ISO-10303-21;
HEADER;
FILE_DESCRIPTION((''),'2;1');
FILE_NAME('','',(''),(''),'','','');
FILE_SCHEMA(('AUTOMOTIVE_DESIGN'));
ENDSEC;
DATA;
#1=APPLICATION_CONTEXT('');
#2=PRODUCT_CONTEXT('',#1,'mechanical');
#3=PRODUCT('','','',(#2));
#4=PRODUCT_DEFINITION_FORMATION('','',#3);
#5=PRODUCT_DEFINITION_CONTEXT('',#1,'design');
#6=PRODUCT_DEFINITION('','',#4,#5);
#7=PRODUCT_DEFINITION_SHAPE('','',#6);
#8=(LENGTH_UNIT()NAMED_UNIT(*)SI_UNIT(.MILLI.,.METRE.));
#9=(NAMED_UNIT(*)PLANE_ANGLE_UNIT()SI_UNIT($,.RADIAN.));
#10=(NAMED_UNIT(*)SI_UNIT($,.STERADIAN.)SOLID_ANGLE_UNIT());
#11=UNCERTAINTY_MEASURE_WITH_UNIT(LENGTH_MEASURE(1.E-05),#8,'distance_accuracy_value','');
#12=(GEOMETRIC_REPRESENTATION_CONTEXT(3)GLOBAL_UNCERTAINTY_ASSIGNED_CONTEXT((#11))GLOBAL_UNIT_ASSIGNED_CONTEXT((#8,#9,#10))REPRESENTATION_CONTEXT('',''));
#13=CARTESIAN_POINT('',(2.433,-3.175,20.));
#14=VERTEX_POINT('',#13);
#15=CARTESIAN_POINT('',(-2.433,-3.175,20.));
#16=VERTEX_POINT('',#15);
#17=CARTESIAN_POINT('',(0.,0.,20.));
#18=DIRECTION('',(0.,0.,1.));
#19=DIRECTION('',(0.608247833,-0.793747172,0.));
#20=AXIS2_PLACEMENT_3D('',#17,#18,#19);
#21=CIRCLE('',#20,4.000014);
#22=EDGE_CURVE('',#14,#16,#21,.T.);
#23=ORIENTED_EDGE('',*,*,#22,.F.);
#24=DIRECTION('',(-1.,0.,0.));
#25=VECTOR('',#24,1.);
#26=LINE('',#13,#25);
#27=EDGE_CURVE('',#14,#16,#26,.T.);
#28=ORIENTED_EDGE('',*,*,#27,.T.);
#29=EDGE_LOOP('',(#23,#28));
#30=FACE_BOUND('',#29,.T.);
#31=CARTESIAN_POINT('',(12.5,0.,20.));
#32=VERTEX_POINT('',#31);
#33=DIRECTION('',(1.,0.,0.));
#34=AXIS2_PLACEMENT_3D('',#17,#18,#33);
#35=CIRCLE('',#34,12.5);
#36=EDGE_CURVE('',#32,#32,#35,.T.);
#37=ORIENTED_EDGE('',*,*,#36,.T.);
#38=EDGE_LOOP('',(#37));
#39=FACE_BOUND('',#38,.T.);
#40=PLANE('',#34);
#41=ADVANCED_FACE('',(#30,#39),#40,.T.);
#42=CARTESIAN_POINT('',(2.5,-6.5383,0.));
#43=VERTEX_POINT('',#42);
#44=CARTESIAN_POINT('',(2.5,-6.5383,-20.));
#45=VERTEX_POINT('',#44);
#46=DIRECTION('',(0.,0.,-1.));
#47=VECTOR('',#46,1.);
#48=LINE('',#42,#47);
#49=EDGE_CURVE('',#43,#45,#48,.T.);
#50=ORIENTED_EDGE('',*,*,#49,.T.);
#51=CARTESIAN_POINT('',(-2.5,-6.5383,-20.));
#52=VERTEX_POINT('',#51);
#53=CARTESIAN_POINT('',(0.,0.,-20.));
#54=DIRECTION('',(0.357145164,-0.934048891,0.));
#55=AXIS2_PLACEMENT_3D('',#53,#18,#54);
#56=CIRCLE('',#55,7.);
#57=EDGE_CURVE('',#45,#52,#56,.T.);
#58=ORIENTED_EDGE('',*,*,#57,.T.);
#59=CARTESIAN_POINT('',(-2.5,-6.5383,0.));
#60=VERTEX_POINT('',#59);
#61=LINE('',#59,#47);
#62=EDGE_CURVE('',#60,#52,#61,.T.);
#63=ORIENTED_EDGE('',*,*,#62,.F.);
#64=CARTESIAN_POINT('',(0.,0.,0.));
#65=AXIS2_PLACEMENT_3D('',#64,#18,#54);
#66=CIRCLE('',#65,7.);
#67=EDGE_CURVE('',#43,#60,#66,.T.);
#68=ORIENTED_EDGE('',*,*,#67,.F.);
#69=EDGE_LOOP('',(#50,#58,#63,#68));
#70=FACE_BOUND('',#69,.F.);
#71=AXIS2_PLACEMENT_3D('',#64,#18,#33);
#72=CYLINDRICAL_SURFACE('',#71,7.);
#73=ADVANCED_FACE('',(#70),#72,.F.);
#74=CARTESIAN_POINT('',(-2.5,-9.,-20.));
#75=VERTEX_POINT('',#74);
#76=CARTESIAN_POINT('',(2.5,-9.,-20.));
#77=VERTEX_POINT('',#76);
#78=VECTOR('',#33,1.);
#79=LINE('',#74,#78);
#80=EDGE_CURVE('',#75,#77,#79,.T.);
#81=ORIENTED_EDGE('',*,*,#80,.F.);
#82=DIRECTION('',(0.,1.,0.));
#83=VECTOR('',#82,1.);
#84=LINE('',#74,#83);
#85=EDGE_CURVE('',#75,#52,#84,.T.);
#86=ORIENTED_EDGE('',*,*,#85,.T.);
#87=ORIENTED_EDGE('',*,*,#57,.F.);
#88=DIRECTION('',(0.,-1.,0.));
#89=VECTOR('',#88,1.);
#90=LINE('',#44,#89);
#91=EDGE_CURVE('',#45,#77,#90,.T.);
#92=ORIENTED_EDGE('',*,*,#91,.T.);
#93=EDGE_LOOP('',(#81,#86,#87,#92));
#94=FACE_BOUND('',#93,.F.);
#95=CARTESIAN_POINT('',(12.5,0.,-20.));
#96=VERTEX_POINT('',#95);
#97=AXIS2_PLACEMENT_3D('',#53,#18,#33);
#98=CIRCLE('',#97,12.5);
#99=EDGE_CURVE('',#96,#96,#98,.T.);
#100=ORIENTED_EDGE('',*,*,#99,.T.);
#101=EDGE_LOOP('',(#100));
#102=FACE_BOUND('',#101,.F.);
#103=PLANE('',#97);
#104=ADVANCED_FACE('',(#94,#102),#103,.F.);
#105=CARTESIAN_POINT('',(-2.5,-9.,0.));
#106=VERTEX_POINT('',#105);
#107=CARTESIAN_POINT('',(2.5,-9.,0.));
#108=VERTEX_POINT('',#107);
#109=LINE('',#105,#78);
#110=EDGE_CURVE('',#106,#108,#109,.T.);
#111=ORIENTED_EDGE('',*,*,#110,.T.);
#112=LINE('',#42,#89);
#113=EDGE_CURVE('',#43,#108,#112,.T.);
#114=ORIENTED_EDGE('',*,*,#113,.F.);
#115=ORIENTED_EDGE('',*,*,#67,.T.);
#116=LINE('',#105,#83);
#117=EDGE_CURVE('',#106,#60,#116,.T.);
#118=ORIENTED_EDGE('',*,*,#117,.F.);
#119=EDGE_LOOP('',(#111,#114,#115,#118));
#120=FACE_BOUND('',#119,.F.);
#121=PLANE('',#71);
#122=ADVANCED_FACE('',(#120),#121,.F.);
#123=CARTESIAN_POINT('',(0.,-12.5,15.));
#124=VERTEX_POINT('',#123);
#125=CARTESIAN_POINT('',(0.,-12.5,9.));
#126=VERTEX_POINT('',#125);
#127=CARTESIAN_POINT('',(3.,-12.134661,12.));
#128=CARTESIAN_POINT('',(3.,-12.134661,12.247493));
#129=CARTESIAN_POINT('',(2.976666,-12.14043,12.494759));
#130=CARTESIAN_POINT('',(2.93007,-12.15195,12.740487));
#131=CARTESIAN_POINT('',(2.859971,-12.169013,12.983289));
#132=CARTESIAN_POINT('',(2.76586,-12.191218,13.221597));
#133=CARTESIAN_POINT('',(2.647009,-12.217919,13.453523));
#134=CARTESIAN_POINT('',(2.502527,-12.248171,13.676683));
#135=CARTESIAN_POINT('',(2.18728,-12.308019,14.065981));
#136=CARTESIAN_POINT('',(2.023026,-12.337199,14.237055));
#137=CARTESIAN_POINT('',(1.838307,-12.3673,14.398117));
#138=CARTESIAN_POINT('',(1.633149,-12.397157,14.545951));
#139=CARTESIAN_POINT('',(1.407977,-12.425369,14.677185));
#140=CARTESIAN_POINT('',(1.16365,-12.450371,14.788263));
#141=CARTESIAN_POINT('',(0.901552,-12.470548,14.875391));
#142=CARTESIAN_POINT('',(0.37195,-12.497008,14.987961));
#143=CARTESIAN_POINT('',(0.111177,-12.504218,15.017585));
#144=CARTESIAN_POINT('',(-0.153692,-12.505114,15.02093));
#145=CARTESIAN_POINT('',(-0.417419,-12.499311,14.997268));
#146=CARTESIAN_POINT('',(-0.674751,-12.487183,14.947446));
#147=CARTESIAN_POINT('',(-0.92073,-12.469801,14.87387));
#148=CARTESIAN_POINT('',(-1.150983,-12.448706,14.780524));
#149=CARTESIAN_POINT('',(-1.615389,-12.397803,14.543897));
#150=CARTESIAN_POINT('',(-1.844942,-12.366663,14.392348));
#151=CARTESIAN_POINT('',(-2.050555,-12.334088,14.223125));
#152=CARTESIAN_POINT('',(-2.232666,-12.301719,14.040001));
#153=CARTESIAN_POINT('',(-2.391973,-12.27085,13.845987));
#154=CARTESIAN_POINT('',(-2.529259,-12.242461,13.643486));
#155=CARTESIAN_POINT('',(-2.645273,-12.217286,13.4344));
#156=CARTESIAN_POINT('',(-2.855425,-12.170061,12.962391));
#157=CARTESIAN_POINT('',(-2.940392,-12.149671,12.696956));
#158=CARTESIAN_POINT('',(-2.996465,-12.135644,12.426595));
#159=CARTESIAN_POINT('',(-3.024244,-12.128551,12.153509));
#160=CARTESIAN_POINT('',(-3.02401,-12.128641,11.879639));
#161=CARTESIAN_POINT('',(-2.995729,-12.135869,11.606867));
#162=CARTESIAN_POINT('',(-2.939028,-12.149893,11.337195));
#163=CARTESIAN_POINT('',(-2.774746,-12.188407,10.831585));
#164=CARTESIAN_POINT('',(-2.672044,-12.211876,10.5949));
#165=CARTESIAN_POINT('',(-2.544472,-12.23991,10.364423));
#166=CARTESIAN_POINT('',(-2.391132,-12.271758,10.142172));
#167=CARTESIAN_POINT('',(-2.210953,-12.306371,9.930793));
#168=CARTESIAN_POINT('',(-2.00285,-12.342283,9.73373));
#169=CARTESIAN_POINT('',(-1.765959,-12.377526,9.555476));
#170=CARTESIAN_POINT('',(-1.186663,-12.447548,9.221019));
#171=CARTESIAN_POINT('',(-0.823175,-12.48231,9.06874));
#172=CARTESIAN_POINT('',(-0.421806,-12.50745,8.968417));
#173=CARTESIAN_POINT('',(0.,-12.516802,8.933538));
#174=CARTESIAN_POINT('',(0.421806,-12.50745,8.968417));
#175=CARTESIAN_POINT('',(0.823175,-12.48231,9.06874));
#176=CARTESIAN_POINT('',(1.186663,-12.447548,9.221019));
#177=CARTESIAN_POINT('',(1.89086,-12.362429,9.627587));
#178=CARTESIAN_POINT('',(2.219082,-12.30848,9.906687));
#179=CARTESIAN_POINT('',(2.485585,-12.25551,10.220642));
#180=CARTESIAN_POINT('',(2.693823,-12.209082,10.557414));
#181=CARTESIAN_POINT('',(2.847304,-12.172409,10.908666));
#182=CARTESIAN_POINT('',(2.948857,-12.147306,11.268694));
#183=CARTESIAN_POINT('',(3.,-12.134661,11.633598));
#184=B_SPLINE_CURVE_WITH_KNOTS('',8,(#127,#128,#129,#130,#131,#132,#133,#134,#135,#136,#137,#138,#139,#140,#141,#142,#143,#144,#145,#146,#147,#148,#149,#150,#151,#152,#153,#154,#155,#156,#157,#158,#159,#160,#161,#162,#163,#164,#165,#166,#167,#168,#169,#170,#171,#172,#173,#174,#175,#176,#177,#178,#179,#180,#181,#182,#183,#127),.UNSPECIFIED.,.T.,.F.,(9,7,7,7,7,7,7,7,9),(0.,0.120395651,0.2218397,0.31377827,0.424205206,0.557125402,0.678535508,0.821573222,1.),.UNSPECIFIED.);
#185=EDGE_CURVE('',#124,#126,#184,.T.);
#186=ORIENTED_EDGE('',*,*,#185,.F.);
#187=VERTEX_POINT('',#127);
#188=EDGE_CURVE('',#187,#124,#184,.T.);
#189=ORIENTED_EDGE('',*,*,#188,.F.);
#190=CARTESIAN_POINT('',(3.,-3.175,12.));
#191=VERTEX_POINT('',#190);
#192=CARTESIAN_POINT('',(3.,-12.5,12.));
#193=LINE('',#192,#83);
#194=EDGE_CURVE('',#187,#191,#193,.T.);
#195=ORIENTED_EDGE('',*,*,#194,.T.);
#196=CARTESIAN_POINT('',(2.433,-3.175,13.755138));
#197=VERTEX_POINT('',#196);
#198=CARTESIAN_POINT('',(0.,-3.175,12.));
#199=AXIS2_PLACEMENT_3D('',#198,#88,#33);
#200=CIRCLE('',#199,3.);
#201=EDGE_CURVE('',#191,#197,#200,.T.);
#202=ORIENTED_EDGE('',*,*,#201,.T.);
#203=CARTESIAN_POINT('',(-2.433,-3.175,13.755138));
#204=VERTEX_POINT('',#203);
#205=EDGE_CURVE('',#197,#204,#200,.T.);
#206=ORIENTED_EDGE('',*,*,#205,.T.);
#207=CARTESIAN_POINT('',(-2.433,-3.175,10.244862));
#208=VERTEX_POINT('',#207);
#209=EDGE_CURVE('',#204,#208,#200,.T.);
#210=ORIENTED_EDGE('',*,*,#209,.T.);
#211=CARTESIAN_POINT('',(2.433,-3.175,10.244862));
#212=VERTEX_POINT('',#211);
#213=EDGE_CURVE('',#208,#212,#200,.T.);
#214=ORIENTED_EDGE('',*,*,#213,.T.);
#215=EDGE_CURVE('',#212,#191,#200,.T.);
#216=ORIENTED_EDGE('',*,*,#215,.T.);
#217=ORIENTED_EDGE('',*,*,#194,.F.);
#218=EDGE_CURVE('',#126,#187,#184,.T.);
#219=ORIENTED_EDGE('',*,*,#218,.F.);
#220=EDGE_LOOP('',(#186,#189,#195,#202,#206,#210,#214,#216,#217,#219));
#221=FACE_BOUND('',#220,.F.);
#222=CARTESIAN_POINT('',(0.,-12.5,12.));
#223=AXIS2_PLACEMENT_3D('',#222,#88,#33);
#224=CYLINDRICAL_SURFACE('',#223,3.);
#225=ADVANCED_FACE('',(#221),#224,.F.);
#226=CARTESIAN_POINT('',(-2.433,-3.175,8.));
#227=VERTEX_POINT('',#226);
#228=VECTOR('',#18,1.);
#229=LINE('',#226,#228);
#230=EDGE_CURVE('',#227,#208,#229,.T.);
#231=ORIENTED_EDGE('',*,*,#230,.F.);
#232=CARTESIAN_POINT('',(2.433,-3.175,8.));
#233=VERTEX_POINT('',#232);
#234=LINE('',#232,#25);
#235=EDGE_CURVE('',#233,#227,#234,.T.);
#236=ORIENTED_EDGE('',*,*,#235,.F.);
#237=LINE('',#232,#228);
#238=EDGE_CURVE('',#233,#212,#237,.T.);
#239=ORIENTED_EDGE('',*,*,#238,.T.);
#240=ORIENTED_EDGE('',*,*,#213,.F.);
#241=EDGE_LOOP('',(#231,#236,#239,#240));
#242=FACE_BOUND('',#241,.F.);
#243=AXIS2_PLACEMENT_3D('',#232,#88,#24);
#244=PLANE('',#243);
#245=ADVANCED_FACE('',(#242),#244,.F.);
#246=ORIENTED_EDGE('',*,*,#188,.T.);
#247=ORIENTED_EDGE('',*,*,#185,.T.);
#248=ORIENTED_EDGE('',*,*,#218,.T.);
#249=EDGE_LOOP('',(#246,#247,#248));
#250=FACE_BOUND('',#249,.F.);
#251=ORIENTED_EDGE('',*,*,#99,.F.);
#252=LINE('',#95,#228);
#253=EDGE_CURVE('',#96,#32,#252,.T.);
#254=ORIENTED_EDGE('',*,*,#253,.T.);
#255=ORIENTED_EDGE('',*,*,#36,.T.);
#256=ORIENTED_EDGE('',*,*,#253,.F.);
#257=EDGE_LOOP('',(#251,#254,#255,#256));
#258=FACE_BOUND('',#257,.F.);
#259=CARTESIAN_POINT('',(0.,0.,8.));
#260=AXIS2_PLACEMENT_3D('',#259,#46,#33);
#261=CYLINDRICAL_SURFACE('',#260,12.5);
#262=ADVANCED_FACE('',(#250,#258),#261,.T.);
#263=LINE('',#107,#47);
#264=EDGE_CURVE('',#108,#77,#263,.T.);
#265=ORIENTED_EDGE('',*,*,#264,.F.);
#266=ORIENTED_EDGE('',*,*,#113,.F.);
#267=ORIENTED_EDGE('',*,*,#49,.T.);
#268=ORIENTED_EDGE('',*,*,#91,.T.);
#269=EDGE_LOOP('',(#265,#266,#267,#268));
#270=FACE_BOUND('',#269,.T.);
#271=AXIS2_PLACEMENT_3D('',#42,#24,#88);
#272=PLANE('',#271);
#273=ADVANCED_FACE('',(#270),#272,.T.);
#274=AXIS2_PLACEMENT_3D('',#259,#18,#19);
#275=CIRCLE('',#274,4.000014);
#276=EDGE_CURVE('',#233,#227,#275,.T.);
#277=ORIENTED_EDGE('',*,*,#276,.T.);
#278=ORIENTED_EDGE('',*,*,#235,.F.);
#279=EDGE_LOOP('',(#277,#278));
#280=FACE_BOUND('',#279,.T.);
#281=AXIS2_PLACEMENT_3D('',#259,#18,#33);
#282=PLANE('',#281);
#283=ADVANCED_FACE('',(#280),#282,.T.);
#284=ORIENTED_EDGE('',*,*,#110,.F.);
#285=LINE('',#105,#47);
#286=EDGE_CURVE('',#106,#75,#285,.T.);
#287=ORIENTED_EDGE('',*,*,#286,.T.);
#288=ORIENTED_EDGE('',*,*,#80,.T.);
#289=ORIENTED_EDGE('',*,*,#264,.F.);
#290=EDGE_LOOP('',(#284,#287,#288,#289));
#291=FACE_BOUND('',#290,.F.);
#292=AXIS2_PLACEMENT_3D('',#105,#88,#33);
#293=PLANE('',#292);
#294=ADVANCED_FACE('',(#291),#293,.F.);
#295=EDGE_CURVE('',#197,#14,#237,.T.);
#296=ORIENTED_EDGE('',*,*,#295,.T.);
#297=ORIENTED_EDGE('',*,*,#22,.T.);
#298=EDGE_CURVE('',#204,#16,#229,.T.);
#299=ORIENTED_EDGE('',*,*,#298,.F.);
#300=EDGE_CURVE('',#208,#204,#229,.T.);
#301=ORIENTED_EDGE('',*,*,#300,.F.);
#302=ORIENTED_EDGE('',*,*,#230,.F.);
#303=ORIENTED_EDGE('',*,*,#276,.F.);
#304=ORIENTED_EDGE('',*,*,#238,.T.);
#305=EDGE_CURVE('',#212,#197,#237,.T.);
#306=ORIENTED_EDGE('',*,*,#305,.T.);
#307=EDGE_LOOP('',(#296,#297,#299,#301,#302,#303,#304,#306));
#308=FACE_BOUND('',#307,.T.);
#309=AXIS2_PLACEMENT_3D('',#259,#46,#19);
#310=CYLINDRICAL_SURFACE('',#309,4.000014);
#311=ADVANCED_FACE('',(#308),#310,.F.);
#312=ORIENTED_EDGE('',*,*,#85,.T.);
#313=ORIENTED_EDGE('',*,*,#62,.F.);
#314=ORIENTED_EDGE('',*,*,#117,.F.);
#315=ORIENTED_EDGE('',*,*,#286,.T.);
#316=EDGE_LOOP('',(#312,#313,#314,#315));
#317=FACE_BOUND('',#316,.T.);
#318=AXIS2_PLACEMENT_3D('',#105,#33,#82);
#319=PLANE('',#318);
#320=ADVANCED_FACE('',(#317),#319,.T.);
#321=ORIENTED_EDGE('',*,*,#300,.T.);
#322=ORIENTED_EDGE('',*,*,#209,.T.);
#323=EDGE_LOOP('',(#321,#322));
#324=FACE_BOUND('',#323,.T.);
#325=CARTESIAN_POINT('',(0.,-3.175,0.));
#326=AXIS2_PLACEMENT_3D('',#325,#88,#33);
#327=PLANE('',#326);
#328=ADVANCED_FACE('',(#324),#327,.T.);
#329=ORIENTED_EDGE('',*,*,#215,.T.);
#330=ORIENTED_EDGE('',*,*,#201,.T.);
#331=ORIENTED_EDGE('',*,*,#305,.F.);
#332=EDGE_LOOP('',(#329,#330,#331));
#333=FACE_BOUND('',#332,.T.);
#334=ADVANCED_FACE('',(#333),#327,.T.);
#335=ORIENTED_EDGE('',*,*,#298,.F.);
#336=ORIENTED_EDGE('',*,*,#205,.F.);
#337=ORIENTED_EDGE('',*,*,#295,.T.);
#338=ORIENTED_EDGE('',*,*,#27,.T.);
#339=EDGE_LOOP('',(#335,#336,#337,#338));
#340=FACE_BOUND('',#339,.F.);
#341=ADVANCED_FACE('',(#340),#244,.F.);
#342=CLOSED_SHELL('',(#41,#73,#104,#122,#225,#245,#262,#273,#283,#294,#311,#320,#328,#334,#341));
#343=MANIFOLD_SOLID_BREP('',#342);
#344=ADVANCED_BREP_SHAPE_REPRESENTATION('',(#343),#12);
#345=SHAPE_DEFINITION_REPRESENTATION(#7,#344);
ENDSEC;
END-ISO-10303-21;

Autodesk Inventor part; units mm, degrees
ref_plane "YZ Plane" through (0, 0, 0) normal (1, 0, 0) x (0, 1, 0)
ref_plane "XZ Plane" through (0, 0, 0) normal (0, 1, 0) x (-1, 0, 0)
sketch "Sketch1" plane through (0, 0, 0) normal (0, 0, 1) x (1, 0, 0)
  circle A0 centre (0, 0) radius 7 projected
  line L0 (-2.5, -9) -> (-2.5, -6.5383) projected
  line L1 (-2.5, -9) -> (2.5, -9) projected
  line L2 (-2.5, -9) -> (-2.5, -6.5383) projected
  line L3 (2.5, -6.5383) -> (2.5, -9) projected
  circle A1 centre (0, 0) radius 12.5
  dimension "d0" = 25
extrude "Extrusion1" add sketch "Sketch1" against normal blind 20
sketch "Sketch2" plane through (0, 0, 0) normal (0, 0, 1) x (1, 0, 0)
  circle A0 centre (0, 0) radius 12.5 projected
extrude "Extrusion2" add sketch "Sketch2" along normal blind 8
sketch "Sketch3" plane through (0, 0, 8) normal (0, 0, 1) x (1, 0, 0)
  circle A0 centre (0, 0) radius 12.5 projected
  line L0 (2.433, -3.175) -> (-2.433, -3.175) projected
  arc A1 (2.433, -3.175) -> (-2.433, -3.175) centre (0, 0) ccw projected
extrude "Extrusion3" add sketch "Sketch3" along normal blind 12
ref_plane "Work Plane2" through (0, -12.5, 0) normal (0, -1, 0) x (1, 0, 0)
ref_plane "Work Plane1" through (2.433, -3.175, 10) normal (0, -1, 0) x (-1, 0, 0)
sketch "Sketch4" plane through (0, -12.5, 0) normal (0, -1, 0) x (1, 0, 0)
  line L0 (12.5, 20) -> (-12.5, 20) projected
  circle A0 centre (0, 12) radius 3
  point P0 (0, 0)
  dimension "d7" = 6
  dimension "d8" = 8
ref_plane "Work Plane3" through (-6.9376, -3.175, 8.1734) normal (0, -1, 0) x (1, 0, 0)
extrude "Extrusion4" cut sketch "Sketch4" against normal up to surface (9.325 mm away)
thread "Thread1" size "M6x1" class "6H" standard "ANSI Metric M Profile" length 20
properties part number "nmrv-50 to mega torque mototr coupler"
